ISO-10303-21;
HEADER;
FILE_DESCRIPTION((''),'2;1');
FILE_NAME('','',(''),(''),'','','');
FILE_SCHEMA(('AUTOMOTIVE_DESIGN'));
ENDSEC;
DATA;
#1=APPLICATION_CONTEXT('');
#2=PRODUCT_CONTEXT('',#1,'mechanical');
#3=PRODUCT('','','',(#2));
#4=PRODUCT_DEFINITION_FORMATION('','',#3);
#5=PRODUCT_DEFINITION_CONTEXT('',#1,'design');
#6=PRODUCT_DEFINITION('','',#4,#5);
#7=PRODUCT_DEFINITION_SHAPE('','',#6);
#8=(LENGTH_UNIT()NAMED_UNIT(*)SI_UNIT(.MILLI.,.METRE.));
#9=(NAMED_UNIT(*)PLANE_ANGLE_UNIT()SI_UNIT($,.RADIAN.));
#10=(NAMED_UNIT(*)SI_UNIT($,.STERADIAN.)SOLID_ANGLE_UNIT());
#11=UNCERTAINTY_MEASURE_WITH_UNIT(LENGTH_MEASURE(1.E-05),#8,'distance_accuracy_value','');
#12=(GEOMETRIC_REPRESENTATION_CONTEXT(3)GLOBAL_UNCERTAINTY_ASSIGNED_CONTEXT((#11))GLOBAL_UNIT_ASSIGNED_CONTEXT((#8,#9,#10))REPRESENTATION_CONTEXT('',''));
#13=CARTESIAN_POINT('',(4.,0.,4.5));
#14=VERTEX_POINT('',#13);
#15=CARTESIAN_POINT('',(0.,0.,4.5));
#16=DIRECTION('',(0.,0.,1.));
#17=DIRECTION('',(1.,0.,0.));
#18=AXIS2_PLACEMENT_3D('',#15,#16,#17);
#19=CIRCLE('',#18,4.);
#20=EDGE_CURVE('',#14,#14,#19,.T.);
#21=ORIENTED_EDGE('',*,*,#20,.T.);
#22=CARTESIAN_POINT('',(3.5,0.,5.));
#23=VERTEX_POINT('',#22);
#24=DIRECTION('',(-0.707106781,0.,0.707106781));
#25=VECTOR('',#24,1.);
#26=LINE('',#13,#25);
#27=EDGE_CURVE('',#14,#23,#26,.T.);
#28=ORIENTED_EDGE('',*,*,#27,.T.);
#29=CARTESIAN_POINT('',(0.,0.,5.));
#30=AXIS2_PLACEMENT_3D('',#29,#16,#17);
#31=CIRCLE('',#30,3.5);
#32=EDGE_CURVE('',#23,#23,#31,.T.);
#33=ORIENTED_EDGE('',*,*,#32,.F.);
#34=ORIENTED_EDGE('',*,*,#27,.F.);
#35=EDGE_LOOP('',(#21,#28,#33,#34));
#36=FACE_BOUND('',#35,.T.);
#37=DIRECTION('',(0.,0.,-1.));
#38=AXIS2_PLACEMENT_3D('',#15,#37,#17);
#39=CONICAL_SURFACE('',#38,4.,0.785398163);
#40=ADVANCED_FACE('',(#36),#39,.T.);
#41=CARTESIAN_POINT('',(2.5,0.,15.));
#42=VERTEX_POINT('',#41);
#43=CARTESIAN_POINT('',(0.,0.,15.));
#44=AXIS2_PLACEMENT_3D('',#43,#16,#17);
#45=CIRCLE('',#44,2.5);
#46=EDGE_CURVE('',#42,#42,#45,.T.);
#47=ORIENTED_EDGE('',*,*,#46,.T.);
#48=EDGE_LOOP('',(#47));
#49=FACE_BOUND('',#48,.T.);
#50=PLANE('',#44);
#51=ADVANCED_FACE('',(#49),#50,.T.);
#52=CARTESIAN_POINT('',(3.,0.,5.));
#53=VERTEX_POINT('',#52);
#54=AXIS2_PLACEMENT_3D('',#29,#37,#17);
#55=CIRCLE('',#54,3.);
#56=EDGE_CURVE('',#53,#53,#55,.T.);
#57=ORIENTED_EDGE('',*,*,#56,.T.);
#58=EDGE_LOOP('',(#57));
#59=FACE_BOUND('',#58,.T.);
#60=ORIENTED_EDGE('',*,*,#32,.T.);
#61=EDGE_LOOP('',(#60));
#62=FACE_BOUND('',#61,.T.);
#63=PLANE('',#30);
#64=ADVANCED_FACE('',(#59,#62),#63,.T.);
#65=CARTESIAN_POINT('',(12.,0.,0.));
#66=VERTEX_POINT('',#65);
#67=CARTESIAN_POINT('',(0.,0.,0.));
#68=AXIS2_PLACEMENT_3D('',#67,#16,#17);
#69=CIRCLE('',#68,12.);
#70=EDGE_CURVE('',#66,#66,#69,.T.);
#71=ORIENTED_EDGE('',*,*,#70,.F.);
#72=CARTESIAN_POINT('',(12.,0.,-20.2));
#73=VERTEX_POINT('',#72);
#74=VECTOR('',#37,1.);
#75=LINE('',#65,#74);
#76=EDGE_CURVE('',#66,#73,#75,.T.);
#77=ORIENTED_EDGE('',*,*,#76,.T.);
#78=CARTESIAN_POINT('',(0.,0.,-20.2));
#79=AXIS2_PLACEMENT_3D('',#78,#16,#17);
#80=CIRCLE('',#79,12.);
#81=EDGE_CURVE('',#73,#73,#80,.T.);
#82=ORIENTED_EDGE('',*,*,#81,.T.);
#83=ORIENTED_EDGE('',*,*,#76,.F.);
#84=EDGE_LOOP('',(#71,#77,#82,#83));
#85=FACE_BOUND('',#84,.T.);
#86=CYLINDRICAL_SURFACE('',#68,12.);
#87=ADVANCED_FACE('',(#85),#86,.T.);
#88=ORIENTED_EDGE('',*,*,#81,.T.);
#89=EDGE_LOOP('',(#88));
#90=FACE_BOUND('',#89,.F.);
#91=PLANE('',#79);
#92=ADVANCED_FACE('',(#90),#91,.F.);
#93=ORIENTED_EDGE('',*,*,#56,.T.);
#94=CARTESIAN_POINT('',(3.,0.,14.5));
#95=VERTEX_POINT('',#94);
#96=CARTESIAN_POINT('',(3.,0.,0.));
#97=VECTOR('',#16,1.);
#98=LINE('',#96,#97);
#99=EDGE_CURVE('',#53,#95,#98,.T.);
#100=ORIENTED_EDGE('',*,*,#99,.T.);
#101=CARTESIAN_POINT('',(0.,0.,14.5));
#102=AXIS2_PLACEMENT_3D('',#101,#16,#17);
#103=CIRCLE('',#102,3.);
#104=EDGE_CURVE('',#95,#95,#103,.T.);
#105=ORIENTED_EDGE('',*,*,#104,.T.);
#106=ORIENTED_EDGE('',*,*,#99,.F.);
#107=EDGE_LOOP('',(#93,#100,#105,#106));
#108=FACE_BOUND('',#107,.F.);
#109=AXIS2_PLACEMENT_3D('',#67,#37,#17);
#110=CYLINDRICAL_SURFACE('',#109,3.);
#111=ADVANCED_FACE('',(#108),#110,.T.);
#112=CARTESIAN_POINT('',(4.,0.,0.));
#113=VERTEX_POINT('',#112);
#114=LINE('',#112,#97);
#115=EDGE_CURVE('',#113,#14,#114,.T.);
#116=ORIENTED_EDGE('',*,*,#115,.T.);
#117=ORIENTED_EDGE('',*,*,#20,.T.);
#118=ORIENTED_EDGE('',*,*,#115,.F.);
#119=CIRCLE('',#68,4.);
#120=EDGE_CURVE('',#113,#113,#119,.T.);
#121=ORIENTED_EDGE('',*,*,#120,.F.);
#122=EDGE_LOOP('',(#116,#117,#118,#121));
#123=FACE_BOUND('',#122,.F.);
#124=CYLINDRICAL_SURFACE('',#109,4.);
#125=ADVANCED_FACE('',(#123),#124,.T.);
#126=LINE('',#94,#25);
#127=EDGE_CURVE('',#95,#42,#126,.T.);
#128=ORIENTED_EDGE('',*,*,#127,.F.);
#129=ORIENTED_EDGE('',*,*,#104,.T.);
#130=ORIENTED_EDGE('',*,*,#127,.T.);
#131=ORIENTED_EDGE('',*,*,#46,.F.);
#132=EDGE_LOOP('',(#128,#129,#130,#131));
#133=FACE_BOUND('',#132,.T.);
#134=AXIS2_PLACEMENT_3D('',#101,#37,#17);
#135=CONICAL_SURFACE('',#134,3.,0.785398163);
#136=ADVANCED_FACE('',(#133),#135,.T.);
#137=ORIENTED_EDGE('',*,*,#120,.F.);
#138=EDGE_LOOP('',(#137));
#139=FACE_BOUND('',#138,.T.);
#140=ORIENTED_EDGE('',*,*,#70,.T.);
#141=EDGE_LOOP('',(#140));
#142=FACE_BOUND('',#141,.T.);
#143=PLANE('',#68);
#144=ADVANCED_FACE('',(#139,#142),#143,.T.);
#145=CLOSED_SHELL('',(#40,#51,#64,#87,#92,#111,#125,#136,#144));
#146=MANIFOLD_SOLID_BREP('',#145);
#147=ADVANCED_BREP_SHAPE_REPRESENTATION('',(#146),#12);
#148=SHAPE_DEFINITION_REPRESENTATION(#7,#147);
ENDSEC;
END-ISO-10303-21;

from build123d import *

# Parameters (mm, degrees)
SKETCH_R     = 12
PAD_DEPTH    = 20.2
SKETCH001_R  = 3
PAD001_DEPTH = 15
SKETCH002_R  = 4
PAD002_DEPTH = 5
CHAMFER_SIZE = 0.5


with BuildPart() as part:
    # Sketch → Pad (new body)
    with BuildSketch(Plane.XY):
        Circle(SKETCH_R)
    extrude(amount=-PAD_DEPTH)

    # Sketch001 → Pad001 (join)
    with BuildSketch(Plane.XY):
        Circle(SKETCH001_R)
    extrude(amount=PAD001_DEPTH)

    # Sketch002 → Pad002 (join)
    with BuildSketch(Plane.XY):
        Circle(SKETCH002_R)
    extrude(amount=PAD002_DEPTH)

    # Chamfer
    chamfer_edges = [part.edges().sort_by_distance(p)[0] for p in [
        (-4, 0, 5),
        (-3, 0, 15),
    ]]
    chamfer(chamfer_edges, length=CHAMFER_SIZE)


solid = part.part
